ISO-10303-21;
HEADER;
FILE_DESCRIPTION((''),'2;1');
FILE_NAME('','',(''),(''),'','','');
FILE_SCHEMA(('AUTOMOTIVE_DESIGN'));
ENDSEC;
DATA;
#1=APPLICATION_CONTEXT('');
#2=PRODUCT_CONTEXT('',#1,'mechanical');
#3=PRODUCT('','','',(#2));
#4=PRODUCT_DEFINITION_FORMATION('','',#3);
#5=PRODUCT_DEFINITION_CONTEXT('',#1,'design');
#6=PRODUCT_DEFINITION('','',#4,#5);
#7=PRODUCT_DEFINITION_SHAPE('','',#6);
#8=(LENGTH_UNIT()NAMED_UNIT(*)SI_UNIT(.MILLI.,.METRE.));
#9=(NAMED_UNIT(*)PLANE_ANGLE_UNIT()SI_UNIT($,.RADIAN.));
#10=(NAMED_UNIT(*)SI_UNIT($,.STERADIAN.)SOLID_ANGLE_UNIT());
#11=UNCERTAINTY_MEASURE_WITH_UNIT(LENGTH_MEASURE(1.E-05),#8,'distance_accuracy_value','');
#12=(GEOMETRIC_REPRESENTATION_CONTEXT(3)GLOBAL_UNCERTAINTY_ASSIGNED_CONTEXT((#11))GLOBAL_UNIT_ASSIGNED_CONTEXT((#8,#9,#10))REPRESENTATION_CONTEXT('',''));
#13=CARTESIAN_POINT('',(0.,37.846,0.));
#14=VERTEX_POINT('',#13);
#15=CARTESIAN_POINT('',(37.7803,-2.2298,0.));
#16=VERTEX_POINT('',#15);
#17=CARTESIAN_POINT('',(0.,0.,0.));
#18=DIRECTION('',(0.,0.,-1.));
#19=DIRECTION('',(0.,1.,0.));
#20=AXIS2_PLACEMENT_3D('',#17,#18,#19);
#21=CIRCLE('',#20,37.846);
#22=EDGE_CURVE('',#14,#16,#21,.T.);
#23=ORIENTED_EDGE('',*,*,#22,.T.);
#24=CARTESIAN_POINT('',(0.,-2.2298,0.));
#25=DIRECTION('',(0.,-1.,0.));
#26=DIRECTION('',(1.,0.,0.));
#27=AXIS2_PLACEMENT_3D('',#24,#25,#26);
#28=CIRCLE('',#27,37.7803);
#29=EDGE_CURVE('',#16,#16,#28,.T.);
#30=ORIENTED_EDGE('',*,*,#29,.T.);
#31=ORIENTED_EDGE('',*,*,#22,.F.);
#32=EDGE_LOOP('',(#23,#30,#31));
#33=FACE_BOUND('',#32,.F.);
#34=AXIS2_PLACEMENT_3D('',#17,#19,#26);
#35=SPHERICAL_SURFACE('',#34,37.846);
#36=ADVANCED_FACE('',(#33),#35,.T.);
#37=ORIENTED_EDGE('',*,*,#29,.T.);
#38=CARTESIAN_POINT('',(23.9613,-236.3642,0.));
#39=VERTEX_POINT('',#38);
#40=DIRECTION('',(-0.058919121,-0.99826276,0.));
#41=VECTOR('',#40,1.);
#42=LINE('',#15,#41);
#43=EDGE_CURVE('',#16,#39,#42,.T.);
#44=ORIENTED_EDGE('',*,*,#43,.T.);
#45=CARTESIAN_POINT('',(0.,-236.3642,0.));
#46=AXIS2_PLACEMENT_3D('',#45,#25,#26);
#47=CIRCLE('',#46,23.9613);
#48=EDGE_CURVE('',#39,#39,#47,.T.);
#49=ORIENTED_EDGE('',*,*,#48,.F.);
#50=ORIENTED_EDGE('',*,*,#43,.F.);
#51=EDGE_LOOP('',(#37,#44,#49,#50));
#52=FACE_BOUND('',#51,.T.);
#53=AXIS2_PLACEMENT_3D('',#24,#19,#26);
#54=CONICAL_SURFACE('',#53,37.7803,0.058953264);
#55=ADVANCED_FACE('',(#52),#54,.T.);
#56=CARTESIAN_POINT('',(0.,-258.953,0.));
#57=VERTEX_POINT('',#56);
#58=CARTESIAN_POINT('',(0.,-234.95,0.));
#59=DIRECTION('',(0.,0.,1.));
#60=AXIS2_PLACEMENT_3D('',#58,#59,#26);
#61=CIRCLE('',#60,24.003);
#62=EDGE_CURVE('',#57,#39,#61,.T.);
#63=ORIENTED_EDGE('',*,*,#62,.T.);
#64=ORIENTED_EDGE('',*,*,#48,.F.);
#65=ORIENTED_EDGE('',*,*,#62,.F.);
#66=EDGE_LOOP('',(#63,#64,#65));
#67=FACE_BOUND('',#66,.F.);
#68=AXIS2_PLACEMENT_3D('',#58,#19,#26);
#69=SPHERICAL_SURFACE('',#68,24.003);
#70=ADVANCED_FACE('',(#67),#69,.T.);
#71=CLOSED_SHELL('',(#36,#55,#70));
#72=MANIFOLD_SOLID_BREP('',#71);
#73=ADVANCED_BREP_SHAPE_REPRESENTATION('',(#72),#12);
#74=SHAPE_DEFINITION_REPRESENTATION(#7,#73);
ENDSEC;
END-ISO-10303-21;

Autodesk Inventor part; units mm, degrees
ref_plane "YZ Plane" through (0, 0, 0) normal (1, 0, 0) x (0, 1, 0)
ref_plane "XZ Plane" through (0, 0, 0) normal (0, 1, 0) x (-1, 0, 0)
ref_plane "XY Plane" through (0, 0, 0) normal (0, 0, 1) x (1, 0, 0)
sketch "Sketch1" plane through (0, 0, 0) normal (0, 0, 1) x (1, 0, 0)
  circle A0 centre (0, 0) radius 37.846
  circle A1 centre (0, -234.95) radius 24.003
  line L0 (0, 37.846) -> (0, -258.953)
  line L1 (37.7803, -2.2298) -> (23.9613, -236.3642)
  dimension "d16" = 234.95
  dimension "d17" = 75.692
  dimension "d18" = 48.006
revolve "Revolution1" add sketch "Sketch1" angle 360 about axis through (0, 37.846, 0) along (0, -1, 0) picked at (15.1062, 2.4909) picked at (6.7032, -228.5087) contours A0 L0 | L1 A1 L0 A0 | A1 L0
equation "\"d16\" = ELBOW_TO_WRIST"
equation "\"d17\" = ELBOW_THK"
equation "\"d18\" = WRIST_THK"
equation "\"ELBOW_TO_WRIST\" = 234.95"
equation "\"ELBOW_THK\" = 75.692"
equation "\"WRIST_THK\" = 48.006"
properties part number "3D HUMAN"
